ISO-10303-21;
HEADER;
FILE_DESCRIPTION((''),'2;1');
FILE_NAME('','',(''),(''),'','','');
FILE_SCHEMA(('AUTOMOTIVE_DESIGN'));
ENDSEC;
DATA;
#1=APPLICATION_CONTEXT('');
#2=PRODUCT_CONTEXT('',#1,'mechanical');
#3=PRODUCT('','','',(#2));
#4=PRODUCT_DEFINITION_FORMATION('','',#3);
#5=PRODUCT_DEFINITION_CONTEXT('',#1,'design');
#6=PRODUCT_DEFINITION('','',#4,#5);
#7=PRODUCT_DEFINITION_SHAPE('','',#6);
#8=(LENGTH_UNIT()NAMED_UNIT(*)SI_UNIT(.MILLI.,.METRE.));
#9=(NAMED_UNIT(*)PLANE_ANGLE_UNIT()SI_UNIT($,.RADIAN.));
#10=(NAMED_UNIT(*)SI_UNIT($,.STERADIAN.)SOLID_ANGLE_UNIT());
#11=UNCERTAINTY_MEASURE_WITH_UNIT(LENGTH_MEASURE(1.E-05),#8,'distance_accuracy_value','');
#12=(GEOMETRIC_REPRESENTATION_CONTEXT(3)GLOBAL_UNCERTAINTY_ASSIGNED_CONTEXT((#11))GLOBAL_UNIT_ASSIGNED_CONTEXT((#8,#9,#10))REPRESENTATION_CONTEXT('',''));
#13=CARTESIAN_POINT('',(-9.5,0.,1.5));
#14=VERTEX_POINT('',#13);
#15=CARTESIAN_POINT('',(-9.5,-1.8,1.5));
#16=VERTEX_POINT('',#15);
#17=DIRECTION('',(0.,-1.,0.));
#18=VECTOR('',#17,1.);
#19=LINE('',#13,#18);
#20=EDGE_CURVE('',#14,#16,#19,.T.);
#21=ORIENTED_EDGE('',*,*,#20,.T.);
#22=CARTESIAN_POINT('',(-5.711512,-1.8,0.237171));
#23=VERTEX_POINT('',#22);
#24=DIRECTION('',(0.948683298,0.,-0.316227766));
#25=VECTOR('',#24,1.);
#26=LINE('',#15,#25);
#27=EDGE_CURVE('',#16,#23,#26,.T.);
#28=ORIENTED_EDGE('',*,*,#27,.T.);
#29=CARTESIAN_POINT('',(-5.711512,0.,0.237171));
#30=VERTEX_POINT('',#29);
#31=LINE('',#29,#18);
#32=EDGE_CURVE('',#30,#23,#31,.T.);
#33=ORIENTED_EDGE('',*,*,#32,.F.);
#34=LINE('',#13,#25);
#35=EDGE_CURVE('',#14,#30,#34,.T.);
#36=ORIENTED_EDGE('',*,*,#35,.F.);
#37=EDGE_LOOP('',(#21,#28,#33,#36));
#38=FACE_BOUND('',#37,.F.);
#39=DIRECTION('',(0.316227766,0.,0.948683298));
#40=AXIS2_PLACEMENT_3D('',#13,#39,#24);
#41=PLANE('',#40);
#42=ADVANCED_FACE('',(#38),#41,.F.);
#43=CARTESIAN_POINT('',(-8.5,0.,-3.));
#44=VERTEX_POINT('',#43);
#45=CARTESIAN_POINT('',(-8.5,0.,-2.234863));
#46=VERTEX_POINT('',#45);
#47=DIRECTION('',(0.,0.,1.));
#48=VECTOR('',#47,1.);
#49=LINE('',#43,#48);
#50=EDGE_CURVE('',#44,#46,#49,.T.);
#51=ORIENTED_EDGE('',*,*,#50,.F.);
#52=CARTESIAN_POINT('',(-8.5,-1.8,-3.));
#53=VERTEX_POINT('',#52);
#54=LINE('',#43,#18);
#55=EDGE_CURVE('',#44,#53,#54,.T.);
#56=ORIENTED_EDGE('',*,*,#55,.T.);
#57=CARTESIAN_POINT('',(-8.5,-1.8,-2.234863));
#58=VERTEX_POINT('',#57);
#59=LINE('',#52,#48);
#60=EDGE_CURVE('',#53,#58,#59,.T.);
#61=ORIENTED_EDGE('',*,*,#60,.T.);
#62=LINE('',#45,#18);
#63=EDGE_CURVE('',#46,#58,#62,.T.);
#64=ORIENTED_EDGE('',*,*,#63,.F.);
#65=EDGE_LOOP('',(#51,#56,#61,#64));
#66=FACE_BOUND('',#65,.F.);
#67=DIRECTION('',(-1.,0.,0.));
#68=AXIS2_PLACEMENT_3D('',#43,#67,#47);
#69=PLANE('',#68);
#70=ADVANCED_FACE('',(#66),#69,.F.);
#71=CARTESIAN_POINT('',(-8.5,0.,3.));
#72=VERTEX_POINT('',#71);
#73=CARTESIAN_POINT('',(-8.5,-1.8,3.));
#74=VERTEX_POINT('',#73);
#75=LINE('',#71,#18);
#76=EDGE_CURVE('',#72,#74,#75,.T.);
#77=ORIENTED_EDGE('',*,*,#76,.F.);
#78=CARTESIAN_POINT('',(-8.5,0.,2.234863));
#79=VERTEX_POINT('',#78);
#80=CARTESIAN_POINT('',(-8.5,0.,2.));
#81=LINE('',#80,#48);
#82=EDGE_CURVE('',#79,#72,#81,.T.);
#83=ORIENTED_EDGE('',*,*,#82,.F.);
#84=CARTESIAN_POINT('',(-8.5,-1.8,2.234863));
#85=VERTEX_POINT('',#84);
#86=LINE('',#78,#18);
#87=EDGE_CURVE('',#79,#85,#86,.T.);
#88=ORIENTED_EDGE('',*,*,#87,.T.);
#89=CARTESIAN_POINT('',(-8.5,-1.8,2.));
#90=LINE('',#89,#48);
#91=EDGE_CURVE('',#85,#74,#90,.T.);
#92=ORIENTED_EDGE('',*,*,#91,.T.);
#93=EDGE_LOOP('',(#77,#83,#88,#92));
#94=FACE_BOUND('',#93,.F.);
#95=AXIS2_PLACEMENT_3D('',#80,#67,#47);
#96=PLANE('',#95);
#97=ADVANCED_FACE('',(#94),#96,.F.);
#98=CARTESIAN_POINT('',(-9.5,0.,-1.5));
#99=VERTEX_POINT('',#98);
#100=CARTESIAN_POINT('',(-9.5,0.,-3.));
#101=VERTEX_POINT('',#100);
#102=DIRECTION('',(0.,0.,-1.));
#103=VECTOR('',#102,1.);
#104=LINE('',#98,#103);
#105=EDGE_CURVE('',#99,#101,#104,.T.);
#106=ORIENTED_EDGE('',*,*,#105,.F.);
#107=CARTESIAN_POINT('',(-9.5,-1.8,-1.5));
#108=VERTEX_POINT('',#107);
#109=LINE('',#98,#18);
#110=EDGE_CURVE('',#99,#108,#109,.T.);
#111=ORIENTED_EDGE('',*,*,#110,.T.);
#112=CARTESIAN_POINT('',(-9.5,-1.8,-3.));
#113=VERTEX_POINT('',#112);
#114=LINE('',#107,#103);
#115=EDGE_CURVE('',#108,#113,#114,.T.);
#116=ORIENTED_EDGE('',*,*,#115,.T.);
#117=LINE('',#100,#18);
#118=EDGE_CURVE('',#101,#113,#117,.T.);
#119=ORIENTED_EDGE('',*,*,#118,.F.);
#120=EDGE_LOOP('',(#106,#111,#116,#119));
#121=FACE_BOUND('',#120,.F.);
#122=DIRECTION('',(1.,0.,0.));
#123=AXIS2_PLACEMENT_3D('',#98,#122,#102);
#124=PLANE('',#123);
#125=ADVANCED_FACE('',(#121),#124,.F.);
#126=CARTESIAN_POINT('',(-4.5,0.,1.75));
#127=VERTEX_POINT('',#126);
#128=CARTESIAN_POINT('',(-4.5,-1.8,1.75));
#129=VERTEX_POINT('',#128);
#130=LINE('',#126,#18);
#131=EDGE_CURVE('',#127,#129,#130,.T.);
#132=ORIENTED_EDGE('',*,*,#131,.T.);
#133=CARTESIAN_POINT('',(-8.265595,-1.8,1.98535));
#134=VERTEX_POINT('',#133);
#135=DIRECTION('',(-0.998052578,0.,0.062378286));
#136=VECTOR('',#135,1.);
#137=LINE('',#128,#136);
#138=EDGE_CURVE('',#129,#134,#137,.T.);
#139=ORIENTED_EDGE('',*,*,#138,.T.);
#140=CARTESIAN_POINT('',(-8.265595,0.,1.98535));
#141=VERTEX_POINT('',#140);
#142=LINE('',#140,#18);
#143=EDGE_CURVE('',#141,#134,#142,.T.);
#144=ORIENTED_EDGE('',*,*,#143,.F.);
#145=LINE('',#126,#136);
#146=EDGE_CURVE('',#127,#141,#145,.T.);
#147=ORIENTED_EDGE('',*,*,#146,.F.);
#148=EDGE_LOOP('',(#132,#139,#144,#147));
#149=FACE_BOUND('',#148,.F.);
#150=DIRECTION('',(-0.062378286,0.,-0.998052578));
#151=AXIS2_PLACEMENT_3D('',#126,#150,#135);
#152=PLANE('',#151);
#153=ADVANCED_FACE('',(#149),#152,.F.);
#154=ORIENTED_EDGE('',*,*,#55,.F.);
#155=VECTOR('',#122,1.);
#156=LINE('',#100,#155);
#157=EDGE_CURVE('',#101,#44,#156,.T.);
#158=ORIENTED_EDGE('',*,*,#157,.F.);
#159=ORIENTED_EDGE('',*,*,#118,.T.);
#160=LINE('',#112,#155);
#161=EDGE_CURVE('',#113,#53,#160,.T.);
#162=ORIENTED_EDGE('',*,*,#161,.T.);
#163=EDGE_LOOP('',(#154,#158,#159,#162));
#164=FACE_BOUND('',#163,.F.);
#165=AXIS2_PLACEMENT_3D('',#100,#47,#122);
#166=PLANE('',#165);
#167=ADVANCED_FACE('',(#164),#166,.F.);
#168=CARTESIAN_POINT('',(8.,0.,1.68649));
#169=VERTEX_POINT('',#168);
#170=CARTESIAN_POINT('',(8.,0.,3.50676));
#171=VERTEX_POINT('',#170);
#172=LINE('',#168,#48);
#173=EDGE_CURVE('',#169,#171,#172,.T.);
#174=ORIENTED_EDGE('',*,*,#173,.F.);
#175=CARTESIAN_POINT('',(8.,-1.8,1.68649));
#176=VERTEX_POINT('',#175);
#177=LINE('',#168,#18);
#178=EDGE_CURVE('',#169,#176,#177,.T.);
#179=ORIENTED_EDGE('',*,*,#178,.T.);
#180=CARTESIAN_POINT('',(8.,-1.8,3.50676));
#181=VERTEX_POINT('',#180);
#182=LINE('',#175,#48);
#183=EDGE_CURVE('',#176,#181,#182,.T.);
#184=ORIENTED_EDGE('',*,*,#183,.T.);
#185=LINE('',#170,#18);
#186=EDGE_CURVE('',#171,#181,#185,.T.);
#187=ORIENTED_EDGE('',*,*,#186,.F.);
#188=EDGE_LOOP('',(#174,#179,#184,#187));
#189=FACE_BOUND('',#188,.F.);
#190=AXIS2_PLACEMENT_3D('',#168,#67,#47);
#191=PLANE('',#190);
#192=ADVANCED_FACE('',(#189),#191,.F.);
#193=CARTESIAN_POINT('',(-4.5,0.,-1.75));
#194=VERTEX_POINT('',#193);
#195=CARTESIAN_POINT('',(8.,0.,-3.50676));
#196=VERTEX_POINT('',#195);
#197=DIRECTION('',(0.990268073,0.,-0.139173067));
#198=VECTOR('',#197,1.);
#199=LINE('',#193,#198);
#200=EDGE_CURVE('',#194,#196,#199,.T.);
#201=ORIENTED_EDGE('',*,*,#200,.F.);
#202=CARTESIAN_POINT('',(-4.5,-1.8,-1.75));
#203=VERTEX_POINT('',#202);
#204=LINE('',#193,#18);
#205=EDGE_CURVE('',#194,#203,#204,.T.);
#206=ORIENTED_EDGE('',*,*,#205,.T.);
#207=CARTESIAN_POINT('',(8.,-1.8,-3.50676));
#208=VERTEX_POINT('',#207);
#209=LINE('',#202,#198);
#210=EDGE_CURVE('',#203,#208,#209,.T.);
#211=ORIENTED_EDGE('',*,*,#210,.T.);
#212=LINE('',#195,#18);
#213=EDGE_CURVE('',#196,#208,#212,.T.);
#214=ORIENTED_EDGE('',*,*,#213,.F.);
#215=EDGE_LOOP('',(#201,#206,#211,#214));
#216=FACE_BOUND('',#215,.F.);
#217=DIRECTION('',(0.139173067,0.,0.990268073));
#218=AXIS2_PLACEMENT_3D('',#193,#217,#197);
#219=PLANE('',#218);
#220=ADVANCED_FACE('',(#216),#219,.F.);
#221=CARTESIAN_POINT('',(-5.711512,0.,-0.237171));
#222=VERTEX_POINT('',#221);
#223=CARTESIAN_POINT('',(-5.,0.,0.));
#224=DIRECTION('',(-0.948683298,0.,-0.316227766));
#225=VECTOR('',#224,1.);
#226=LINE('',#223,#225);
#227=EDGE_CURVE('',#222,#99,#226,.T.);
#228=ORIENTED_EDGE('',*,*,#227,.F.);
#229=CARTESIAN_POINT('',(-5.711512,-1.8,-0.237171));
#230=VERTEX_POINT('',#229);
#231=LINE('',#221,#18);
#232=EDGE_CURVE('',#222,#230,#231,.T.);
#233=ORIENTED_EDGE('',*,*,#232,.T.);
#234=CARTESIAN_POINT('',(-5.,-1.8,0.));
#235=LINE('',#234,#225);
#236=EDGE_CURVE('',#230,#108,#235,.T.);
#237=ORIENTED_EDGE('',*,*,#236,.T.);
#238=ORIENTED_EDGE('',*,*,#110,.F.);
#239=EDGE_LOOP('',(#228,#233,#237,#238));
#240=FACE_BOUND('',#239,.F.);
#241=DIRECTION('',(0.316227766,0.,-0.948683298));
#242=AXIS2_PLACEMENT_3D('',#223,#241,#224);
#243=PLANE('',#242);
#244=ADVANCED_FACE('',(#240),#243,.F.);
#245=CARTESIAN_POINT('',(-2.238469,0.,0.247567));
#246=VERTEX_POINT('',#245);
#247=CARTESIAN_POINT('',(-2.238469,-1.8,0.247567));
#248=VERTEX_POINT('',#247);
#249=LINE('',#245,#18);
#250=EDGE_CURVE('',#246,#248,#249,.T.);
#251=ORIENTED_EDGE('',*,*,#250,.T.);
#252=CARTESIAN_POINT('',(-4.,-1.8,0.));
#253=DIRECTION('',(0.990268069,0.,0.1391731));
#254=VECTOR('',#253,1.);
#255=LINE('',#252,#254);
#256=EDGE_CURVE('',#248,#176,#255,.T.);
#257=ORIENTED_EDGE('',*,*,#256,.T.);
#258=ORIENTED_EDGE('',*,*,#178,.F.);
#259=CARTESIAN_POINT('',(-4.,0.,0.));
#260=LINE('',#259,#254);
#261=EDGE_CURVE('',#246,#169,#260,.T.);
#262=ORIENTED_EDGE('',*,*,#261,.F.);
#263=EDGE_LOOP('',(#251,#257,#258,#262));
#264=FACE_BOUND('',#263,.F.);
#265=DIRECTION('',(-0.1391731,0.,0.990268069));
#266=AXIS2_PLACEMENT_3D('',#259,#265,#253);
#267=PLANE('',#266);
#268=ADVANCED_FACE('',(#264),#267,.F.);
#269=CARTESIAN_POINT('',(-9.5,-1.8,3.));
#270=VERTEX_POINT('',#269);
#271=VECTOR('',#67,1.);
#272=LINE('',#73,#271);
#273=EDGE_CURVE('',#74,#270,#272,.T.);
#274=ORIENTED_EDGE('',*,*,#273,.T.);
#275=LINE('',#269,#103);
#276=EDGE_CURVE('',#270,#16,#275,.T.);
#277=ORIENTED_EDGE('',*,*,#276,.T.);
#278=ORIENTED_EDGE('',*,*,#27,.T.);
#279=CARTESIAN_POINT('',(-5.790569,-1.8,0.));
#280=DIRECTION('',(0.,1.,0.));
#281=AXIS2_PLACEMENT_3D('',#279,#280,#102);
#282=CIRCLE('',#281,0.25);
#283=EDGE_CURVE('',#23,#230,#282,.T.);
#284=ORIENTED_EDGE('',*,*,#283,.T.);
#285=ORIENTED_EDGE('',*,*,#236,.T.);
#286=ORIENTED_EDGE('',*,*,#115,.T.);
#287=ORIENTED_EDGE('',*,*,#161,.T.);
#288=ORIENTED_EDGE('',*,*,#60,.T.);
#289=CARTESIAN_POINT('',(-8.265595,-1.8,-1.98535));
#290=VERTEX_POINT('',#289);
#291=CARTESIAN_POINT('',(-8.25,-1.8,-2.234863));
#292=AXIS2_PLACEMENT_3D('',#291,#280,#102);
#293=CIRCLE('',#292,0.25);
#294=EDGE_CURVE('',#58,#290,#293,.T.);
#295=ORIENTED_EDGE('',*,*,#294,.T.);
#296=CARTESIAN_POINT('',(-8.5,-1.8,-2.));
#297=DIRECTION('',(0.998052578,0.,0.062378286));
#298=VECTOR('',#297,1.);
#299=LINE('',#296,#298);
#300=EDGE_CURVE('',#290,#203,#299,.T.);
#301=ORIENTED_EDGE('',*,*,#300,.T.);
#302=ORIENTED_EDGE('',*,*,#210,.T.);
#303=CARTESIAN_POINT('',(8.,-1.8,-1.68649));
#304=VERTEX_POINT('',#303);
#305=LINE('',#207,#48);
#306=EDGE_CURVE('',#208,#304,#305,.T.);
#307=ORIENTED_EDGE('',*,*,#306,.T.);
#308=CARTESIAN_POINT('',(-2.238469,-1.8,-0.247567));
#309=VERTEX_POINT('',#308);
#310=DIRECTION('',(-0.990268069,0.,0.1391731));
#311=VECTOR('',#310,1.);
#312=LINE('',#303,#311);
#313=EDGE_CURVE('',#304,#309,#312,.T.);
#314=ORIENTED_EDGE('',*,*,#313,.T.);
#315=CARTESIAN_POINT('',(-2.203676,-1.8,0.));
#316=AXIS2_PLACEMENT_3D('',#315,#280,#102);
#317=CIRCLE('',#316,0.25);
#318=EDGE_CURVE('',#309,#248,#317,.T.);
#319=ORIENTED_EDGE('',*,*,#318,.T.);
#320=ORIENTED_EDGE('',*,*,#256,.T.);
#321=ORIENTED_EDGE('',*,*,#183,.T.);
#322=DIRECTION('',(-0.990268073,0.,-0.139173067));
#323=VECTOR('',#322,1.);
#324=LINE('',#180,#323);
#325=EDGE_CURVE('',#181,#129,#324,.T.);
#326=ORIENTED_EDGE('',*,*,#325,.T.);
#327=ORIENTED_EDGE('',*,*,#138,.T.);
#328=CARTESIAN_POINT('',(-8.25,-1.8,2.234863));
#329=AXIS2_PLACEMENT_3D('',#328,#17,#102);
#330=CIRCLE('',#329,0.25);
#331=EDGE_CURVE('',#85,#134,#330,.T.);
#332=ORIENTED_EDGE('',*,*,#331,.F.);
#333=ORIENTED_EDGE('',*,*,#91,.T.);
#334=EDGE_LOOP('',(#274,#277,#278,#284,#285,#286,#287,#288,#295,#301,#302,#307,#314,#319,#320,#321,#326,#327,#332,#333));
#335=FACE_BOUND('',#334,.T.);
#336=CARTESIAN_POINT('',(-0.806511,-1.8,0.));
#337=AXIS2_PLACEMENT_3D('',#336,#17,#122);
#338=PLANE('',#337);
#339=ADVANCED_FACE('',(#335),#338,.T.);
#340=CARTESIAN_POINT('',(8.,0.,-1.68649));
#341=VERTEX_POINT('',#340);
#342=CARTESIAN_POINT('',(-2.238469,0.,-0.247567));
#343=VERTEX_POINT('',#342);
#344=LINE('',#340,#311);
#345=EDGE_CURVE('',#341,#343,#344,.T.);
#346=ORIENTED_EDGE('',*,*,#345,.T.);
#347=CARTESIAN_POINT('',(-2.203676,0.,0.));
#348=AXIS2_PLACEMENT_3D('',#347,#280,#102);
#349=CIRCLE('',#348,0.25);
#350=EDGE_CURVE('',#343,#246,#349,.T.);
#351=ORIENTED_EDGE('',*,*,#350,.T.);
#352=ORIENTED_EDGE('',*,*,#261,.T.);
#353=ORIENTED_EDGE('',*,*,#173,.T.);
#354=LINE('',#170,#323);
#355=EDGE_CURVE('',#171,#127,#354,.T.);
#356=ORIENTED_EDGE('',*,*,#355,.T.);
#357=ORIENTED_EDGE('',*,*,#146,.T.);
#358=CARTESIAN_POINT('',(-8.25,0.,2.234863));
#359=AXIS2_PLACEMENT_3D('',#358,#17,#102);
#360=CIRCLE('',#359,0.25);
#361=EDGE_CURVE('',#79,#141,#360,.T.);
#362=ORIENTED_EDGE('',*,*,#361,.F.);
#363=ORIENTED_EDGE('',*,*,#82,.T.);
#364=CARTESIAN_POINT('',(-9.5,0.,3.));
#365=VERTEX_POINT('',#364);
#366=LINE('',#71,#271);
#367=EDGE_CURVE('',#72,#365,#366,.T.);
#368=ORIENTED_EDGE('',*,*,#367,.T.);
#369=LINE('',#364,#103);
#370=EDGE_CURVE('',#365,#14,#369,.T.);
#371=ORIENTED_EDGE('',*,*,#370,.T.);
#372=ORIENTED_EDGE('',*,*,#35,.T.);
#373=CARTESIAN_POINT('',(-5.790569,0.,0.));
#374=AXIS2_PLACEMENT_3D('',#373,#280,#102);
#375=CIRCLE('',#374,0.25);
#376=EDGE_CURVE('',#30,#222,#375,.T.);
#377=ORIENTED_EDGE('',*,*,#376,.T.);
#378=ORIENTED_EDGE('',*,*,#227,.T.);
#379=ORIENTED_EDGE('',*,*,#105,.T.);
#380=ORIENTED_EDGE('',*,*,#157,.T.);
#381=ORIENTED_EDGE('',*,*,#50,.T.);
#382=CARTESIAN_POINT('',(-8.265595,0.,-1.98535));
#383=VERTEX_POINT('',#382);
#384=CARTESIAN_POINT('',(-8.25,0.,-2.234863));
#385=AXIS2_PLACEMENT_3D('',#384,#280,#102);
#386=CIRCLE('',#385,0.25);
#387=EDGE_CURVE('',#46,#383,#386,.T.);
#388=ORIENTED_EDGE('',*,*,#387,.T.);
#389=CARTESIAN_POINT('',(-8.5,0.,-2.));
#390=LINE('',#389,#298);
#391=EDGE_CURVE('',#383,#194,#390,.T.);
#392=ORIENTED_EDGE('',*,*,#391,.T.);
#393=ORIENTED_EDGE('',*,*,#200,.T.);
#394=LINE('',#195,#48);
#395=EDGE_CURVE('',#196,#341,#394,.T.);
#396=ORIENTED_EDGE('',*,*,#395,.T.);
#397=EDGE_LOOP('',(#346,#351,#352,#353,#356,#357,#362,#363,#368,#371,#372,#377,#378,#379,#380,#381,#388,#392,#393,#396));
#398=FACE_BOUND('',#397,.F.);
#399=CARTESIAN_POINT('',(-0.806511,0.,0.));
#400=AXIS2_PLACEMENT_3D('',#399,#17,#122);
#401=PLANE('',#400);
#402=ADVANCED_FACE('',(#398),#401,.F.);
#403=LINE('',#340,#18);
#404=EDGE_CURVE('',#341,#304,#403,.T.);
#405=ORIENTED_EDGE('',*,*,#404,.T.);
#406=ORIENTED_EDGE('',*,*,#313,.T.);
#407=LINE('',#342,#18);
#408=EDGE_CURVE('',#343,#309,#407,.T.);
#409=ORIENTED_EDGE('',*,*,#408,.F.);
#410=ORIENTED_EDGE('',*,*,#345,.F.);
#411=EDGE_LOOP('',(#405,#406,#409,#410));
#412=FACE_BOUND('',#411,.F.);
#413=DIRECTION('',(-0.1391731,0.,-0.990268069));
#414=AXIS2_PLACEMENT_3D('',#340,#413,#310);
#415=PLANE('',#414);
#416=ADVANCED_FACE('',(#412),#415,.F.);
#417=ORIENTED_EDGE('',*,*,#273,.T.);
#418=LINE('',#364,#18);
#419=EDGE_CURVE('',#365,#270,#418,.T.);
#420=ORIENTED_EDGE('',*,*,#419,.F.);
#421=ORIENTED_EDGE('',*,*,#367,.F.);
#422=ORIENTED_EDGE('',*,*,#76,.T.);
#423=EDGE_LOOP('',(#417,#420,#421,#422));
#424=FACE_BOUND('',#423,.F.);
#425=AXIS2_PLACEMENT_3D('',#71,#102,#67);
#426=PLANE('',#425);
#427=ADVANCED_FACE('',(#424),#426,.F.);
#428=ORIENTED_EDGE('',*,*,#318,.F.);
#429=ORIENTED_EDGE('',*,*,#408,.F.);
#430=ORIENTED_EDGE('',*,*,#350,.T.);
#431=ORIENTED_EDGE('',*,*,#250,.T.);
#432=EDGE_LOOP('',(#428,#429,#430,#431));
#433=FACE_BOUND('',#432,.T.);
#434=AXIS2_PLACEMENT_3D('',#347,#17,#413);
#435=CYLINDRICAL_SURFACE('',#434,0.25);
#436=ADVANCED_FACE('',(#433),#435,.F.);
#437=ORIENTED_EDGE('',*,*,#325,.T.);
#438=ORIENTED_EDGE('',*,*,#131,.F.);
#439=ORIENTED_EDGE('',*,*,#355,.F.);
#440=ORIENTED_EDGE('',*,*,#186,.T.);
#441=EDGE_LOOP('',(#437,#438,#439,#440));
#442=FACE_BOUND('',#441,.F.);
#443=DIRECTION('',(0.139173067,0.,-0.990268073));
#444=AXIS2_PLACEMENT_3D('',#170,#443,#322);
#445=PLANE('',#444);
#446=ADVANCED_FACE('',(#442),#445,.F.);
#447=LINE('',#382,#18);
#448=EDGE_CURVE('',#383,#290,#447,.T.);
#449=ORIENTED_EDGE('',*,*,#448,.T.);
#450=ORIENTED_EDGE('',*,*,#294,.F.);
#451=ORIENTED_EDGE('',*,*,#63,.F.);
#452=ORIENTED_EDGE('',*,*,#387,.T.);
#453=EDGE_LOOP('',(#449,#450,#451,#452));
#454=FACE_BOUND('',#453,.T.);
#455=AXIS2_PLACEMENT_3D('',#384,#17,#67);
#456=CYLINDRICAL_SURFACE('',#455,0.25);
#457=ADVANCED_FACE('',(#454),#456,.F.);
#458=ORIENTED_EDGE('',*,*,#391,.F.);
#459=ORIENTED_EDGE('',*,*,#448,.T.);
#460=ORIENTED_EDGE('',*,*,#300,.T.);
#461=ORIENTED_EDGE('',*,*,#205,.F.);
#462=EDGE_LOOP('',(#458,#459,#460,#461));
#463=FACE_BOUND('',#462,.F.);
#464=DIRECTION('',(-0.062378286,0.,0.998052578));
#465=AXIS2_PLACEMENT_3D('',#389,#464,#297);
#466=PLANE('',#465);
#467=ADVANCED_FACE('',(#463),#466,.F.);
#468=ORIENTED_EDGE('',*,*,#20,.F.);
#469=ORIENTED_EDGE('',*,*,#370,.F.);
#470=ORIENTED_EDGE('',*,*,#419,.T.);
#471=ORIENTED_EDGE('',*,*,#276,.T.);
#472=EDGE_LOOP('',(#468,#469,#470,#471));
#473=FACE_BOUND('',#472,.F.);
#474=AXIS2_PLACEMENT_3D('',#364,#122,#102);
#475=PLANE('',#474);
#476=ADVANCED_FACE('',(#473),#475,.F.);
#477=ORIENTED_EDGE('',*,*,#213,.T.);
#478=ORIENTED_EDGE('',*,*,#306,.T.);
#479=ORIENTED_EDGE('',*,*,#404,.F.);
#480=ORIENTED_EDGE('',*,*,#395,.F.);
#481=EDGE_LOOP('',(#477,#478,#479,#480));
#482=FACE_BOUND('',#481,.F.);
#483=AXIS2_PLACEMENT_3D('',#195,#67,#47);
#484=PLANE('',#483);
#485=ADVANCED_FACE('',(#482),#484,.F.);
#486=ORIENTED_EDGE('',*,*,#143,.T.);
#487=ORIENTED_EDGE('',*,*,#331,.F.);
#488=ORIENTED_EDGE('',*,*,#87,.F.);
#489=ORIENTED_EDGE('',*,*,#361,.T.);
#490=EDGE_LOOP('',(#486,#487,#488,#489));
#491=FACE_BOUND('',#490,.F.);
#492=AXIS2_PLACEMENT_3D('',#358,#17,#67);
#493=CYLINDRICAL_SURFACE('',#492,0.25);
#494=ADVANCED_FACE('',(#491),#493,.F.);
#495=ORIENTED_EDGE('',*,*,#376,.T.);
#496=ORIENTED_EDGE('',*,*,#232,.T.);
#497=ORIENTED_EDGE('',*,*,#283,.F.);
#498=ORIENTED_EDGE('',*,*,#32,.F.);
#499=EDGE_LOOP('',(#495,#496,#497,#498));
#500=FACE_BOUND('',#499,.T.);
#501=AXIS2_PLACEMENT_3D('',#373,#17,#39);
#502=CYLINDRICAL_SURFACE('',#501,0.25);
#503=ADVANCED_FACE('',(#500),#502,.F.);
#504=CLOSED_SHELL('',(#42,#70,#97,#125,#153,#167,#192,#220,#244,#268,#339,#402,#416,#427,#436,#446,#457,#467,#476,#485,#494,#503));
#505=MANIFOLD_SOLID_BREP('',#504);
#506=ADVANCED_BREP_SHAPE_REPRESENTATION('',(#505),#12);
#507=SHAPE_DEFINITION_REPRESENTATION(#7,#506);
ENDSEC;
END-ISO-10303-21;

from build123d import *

# Parameters (mm, degrees)
F1_DEPTH = 1.8
F2_R     = 0.25
F3_R     = 0.25


with BuildPart() as f1:
    # F0 (on Front) → F1 (new body)
    with BuildSketch(Plane.XZ):
        Polygon((8, 3.50676), (-4.5, 1.75), (-8.5, 2), (-8.5, 3), (-9.5, 3), (-9.5, 1.5), (-5, 0), (-9.5, -1.5), (-9.5, -3), (-8.5, -3), (-8.5, -2), (-4.5, -1.75), (8, -3.50676), (8, -1.68649), (-4, 0), (8, 1.68649), align=None)
    extrude(amount=F1_DEPTH)

    # F2
    f2_edges = [f1.edges().sort_by_distance(p)[0] for p in [
        (-4, -0.9, 0),
        (-5, -0.9, 0),
    ]]
    fillet(f2_edges, radius=F2_R)

    # F3
    f3_edges = [f1.edges().sort_by_distance(p)[0] for p in [
        (-8.5, -0.9, 2),
        (-8.5, -0.9, -2),
    ]]
    fillet(f3_edges, radius=F3_R)


solid = f1.part
